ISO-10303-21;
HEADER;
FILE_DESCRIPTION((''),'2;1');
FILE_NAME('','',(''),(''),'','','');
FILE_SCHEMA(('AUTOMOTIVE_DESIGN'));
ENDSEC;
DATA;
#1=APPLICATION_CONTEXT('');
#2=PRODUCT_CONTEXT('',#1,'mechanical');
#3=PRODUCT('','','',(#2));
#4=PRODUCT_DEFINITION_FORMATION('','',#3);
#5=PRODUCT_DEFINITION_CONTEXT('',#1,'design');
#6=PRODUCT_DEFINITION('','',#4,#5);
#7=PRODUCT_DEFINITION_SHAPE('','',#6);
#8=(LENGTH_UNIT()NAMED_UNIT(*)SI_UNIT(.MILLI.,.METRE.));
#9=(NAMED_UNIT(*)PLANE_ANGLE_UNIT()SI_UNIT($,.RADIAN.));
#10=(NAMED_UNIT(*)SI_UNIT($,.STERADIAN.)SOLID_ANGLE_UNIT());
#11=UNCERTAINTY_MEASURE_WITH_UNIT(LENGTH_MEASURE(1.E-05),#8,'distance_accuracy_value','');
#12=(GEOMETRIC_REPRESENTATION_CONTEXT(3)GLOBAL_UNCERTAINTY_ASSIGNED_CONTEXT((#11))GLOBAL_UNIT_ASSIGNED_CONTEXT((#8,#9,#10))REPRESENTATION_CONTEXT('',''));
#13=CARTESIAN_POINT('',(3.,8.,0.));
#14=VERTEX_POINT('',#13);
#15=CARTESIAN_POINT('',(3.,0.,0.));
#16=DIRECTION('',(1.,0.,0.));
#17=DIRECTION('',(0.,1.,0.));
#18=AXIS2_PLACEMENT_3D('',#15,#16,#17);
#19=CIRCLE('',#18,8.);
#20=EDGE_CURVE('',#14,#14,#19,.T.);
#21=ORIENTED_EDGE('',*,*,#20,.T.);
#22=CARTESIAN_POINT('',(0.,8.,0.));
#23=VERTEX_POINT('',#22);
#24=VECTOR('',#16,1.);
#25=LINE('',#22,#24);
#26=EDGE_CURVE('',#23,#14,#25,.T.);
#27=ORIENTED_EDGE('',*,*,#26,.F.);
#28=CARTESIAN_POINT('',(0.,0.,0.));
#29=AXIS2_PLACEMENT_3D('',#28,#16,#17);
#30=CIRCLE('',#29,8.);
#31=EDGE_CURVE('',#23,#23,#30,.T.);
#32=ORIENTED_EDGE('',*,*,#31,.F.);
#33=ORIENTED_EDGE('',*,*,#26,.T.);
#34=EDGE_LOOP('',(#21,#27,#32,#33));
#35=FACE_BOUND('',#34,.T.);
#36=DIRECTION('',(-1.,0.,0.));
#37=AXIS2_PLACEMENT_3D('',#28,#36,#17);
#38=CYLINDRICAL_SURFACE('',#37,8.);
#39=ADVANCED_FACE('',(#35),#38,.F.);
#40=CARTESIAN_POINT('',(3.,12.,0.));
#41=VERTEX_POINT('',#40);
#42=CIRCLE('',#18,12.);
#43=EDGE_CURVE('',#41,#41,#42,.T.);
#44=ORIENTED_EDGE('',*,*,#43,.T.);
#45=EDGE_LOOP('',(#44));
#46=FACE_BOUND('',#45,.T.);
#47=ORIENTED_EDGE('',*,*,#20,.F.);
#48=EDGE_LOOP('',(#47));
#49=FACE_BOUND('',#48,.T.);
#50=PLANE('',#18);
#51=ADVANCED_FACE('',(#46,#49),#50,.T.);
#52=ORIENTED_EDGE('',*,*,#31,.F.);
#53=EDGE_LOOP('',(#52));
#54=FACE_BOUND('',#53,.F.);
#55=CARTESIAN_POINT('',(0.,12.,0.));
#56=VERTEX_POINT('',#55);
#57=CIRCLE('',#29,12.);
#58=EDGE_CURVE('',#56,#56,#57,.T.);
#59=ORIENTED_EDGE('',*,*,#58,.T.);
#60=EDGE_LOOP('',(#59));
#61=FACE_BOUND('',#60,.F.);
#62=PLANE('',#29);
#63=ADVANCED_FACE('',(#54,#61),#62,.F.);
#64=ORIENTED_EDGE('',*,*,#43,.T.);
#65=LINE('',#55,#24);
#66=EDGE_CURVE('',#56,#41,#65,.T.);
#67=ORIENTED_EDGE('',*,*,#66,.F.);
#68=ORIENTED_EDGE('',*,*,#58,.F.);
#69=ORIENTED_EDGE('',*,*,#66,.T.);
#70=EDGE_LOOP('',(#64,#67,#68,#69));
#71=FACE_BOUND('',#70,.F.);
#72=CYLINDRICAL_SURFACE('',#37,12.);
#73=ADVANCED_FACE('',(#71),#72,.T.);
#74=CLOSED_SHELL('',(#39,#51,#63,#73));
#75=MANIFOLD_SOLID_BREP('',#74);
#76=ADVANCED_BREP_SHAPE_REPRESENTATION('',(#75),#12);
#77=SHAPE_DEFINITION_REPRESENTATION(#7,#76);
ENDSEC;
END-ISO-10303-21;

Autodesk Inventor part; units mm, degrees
ref_plane "YZ Plane" through (0, 0, 0) normal (1, 0, 0) x (0, 1, 0)
ref_plane "XZ Plane" through (0, 0, 0) normal (0, 1, 0) x (-1, 0, 0)
sketch "Sketch" plane through (0, 0, 0) normal (1, 0, 0) x (0, 1, 0)
  circle A0 centre (0, 0) radius 12
  circle A1 centre (0, 0) radius 8
  dimension "d0" = 16
  dimension "d1" = 24
extrude "Body" add sketch "Sketch" along normal blind 3
ref_plane "Work Plane1" through (0, 0, 0) normal (0, 0, 1) x (1, 0, 0)
equation "\"d0\" = SD1"
equation "\"d1\" = SD2"
equation "\"d2\" = SD"
equation "\"SD1\" = NND"
equation "\"SD2\" = 24"
equation "\"SD\" = 3"
equation "\"NND\" = 16"
properties part number "ISO 8738 - 16" material "Steel"
